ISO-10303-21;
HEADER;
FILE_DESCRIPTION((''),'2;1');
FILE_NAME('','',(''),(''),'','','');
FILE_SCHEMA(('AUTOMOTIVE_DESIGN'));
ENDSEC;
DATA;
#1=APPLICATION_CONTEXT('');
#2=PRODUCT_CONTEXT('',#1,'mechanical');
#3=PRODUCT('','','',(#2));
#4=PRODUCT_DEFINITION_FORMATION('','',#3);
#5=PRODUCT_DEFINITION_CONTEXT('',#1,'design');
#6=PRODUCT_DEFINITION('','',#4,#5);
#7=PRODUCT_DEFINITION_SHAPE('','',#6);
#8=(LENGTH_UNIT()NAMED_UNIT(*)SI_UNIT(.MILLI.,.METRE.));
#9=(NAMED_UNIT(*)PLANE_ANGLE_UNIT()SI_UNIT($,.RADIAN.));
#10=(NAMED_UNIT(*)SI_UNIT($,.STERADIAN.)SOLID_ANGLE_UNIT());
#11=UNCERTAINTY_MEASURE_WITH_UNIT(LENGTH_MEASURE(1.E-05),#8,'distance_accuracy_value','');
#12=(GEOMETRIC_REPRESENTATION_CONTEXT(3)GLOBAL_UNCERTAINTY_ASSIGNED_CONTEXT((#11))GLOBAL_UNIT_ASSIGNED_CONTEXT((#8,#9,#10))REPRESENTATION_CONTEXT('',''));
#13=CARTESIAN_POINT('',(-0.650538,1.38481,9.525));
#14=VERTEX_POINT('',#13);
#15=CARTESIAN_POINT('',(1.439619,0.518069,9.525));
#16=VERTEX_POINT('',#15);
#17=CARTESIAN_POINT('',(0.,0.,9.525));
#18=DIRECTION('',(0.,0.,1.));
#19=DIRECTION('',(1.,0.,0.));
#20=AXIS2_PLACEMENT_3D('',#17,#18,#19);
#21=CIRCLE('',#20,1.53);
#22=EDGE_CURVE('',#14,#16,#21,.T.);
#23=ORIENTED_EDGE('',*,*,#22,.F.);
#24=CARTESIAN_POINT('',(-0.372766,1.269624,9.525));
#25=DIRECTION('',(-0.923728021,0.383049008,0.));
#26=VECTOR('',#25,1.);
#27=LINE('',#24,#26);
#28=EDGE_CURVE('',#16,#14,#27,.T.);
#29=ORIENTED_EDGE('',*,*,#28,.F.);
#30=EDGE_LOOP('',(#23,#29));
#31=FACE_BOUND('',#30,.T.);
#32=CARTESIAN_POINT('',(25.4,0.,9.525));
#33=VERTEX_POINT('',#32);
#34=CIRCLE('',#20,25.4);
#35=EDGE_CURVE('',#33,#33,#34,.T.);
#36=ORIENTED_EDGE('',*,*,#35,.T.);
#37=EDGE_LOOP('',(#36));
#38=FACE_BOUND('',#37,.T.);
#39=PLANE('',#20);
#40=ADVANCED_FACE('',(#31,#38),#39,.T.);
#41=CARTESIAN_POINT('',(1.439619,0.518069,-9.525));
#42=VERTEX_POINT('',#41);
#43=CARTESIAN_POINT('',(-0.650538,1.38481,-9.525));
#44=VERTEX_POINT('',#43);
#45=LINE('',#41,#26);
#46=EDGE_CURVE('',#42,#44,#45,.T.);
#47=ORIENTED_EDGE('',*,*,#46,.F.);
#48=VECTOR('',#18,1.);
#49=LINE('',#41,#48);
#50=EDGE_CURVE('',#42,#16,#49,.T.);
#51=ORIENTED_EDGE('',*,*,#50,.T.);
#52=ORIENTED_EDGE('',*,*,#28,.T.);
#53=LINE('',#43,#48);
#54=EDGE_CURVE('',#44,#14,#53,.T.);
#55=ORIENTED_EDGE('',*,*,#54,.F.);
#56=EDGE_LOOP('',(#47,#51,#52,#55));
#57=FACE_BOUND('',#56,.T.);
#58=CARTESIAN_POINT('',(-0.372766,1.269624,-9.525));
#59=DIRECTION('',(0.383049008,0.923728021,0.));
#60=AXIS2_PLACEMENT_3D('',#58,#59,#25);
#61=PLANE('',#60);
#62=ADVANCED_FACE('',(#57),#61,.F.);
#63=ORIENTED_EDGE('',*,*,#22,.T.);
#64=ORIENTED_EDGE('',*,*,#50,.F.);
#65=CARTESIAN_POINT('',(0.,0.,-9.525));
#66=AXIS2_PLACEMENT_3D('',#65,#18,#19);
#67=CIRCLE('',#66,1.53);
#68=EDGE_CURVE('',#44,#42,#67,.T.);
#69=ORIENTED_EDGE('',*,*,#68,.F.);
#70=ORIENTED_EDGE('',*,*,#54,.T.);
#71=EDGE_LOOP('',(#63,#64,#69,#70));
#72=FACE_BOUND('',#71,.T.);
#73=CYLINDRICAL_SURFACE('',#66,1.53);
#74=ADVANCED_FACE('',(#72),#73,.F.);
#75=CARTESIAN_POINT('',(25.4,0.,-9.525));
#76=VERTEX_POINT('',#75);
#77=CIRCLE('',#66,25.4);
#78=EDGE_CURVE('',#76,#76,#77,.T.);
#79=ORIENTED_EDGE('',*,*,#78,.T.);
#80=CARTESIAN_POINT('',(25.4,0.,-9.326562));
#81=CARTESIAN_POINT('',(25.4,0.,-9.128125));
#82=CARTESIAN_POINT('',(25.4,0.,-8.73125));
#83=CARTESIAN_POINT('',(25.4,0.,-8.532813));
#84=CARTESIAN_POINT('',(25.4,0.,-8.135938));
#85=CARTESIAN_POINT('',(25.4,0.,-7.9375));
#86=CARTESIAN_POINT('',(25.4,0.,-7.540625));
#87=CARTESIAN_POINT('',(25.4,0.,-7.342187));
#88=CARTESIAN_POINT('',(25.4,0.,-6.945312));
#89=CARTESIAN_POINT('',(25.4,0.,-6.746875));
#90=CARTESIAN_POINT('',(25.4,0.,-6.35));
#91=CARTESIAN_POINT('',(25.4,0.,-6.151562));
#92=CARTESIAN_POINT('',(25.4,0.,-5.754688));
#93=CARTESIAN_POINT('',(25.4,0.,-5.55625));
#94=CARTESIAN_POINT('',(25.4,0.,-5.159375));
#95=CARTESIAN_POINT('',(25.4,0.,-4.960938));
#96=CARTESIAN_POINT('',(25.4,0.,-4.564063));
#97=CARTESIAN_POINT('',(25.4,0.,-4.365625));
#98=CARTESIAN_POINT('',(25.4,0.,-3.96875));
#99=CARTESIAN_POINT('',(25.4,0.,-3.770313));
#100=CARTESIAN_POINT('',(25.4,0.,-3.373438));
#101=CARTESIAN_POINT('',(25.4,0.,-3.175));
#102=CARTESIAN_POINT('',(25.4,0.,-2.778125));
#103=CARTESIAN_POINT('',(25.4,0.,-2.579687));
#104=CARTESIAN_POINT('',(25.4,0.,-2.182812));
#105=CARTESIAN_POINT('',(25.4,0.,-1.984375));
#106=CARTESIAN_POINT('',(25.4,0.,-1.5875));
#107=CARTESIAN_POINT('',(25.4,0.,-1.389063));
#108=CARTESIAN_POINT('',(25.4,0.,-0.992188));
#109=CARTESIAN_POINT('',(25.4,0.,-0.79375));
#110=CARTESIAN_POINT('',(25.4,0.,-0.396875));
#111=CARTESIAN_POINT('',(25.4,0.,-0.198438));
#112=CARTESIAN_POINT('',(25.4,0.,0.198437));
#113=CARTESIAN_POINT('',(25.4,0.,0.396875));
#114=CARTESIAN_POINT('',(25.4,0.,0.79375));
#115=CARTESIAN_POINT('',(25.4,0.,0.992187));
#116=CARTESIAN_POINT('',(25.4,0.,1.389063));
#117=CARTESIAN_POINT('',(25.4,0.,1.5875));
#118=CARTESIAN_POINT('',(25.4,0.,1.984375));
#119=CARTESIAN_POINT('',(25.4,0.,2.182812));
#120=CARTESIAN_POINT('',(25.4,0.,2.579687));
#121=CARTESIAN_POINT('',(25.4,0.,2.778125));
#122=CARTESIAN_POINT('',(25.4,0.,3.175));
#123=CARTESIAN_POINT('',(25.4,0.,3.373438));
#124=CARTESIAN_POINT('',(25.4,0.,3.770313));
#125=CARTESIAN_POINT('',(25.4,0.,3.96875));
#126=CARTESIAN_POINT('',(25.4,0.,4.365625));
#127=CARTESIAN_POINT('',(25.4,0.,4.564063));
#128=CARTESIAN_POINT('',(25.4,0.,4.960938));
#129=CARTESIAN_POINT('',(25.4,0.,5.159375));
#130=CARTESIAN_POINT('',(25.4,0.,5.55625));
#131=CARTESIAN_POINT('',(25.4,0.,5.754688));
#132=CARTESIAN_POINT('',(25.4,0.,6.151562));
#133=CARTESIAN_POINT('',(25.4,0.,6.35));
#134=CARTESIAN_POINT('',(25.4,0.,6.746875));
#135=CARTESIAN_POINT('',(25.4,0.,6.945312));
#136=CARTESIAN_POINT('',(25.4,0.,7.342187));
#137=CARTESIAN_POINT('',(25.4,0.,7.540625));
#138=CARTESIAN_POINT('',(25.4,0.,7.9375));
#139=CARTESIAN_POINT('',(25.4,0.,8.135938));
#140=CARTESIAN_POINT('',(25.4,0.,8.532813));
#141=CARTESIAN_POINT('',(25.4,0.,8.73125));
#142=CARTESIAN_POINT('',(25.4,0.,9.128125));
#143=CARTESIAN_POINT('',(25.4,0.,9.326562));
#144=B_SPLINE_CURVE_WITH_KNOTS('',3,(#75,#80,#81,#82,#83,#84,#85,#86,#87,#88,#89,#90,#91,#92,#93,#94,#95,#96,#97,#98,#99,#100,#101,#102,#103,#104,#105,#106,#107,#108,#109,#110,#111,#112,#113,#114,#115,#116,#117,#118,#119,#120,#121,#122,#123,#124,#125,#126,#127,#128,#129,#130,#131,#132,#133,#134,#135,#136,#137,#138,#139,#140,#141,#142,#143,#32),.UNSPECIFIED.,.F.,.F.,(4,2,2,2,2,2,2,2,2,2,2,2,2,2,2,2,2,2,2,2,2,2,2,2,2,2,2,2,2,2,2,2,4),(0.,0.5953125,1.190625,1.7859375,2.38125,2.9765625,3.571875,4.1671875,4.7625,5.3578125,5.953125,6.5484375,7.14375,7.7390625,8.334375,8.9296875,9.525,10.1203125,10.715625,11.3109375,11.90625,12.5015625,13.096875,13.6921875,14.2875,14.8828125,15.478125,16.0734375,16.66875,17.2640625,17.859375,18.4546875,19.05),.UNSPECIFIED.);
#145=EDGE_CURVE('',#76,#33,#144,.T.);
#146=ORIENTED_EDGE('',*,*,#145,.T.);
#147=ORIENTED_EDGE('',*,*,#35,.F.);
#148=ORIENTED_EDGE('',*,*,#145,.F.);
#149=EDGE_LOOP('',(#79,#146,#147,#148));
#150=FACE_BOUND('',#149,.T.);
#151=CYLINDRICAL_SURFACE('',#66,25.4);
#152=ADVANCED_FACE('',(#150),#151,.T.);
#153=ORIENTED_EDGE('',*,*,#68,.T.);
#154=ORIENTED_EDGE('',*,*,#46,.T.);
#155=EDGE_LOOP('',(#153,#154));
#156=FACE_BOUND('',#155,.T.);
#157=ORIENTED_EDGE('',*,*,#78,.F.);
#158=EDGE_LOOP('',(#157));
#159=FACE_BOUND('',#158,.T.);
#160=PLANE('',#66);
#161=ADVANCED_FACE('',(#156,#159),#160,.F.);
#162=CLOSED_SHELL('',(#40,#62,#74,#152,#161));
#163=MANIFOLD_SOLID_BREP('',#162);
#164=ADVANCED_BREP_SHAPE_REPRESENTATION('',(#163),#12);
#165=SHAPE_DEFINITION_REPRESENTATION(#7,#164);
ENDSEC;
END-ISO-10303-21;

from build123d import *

# Parameters (mm, degrees)
SKETCH1_R           = 25.4
BOSS_EXTRUDE1_DEPTH = 9.525


with BuildPart() as part:
    # Sketch1 → Boss-Extrude1 (new, symmetric)
    with BuildSketch(Plane.XY):
        Circle(SKETCH1_R)
        with BuildLine():
            Line((1.439619435, 0.51806938), (1.161846601, 0.633255459))
            Line((1.161846601, 0.633255459), (-0.372765644, 1.269624265))
            Line((-0.372765644, 1.269624265), (-0.650538478, 1.384810344))
            ThreePointArc((-0.650538478, 1.384810344), (-1.106507953, 1.056664634), (-1.413303873, 0.586064982))
            ThreePointArc((-1.413303873, 0.586064982), (-0.586064982, -1.413303873), (1.413303873, -0.586064982))
            ThreePointArc((1.413303873, -0.586064982), (1.529565632, -0.036455146), (1.439619435, 0.51806938))
        make_face(mode=Mode.SUBTRACT)
    extrude(amount=BOSS_EXTRUDE1_DEPTH, both=True)


solid = part.part
